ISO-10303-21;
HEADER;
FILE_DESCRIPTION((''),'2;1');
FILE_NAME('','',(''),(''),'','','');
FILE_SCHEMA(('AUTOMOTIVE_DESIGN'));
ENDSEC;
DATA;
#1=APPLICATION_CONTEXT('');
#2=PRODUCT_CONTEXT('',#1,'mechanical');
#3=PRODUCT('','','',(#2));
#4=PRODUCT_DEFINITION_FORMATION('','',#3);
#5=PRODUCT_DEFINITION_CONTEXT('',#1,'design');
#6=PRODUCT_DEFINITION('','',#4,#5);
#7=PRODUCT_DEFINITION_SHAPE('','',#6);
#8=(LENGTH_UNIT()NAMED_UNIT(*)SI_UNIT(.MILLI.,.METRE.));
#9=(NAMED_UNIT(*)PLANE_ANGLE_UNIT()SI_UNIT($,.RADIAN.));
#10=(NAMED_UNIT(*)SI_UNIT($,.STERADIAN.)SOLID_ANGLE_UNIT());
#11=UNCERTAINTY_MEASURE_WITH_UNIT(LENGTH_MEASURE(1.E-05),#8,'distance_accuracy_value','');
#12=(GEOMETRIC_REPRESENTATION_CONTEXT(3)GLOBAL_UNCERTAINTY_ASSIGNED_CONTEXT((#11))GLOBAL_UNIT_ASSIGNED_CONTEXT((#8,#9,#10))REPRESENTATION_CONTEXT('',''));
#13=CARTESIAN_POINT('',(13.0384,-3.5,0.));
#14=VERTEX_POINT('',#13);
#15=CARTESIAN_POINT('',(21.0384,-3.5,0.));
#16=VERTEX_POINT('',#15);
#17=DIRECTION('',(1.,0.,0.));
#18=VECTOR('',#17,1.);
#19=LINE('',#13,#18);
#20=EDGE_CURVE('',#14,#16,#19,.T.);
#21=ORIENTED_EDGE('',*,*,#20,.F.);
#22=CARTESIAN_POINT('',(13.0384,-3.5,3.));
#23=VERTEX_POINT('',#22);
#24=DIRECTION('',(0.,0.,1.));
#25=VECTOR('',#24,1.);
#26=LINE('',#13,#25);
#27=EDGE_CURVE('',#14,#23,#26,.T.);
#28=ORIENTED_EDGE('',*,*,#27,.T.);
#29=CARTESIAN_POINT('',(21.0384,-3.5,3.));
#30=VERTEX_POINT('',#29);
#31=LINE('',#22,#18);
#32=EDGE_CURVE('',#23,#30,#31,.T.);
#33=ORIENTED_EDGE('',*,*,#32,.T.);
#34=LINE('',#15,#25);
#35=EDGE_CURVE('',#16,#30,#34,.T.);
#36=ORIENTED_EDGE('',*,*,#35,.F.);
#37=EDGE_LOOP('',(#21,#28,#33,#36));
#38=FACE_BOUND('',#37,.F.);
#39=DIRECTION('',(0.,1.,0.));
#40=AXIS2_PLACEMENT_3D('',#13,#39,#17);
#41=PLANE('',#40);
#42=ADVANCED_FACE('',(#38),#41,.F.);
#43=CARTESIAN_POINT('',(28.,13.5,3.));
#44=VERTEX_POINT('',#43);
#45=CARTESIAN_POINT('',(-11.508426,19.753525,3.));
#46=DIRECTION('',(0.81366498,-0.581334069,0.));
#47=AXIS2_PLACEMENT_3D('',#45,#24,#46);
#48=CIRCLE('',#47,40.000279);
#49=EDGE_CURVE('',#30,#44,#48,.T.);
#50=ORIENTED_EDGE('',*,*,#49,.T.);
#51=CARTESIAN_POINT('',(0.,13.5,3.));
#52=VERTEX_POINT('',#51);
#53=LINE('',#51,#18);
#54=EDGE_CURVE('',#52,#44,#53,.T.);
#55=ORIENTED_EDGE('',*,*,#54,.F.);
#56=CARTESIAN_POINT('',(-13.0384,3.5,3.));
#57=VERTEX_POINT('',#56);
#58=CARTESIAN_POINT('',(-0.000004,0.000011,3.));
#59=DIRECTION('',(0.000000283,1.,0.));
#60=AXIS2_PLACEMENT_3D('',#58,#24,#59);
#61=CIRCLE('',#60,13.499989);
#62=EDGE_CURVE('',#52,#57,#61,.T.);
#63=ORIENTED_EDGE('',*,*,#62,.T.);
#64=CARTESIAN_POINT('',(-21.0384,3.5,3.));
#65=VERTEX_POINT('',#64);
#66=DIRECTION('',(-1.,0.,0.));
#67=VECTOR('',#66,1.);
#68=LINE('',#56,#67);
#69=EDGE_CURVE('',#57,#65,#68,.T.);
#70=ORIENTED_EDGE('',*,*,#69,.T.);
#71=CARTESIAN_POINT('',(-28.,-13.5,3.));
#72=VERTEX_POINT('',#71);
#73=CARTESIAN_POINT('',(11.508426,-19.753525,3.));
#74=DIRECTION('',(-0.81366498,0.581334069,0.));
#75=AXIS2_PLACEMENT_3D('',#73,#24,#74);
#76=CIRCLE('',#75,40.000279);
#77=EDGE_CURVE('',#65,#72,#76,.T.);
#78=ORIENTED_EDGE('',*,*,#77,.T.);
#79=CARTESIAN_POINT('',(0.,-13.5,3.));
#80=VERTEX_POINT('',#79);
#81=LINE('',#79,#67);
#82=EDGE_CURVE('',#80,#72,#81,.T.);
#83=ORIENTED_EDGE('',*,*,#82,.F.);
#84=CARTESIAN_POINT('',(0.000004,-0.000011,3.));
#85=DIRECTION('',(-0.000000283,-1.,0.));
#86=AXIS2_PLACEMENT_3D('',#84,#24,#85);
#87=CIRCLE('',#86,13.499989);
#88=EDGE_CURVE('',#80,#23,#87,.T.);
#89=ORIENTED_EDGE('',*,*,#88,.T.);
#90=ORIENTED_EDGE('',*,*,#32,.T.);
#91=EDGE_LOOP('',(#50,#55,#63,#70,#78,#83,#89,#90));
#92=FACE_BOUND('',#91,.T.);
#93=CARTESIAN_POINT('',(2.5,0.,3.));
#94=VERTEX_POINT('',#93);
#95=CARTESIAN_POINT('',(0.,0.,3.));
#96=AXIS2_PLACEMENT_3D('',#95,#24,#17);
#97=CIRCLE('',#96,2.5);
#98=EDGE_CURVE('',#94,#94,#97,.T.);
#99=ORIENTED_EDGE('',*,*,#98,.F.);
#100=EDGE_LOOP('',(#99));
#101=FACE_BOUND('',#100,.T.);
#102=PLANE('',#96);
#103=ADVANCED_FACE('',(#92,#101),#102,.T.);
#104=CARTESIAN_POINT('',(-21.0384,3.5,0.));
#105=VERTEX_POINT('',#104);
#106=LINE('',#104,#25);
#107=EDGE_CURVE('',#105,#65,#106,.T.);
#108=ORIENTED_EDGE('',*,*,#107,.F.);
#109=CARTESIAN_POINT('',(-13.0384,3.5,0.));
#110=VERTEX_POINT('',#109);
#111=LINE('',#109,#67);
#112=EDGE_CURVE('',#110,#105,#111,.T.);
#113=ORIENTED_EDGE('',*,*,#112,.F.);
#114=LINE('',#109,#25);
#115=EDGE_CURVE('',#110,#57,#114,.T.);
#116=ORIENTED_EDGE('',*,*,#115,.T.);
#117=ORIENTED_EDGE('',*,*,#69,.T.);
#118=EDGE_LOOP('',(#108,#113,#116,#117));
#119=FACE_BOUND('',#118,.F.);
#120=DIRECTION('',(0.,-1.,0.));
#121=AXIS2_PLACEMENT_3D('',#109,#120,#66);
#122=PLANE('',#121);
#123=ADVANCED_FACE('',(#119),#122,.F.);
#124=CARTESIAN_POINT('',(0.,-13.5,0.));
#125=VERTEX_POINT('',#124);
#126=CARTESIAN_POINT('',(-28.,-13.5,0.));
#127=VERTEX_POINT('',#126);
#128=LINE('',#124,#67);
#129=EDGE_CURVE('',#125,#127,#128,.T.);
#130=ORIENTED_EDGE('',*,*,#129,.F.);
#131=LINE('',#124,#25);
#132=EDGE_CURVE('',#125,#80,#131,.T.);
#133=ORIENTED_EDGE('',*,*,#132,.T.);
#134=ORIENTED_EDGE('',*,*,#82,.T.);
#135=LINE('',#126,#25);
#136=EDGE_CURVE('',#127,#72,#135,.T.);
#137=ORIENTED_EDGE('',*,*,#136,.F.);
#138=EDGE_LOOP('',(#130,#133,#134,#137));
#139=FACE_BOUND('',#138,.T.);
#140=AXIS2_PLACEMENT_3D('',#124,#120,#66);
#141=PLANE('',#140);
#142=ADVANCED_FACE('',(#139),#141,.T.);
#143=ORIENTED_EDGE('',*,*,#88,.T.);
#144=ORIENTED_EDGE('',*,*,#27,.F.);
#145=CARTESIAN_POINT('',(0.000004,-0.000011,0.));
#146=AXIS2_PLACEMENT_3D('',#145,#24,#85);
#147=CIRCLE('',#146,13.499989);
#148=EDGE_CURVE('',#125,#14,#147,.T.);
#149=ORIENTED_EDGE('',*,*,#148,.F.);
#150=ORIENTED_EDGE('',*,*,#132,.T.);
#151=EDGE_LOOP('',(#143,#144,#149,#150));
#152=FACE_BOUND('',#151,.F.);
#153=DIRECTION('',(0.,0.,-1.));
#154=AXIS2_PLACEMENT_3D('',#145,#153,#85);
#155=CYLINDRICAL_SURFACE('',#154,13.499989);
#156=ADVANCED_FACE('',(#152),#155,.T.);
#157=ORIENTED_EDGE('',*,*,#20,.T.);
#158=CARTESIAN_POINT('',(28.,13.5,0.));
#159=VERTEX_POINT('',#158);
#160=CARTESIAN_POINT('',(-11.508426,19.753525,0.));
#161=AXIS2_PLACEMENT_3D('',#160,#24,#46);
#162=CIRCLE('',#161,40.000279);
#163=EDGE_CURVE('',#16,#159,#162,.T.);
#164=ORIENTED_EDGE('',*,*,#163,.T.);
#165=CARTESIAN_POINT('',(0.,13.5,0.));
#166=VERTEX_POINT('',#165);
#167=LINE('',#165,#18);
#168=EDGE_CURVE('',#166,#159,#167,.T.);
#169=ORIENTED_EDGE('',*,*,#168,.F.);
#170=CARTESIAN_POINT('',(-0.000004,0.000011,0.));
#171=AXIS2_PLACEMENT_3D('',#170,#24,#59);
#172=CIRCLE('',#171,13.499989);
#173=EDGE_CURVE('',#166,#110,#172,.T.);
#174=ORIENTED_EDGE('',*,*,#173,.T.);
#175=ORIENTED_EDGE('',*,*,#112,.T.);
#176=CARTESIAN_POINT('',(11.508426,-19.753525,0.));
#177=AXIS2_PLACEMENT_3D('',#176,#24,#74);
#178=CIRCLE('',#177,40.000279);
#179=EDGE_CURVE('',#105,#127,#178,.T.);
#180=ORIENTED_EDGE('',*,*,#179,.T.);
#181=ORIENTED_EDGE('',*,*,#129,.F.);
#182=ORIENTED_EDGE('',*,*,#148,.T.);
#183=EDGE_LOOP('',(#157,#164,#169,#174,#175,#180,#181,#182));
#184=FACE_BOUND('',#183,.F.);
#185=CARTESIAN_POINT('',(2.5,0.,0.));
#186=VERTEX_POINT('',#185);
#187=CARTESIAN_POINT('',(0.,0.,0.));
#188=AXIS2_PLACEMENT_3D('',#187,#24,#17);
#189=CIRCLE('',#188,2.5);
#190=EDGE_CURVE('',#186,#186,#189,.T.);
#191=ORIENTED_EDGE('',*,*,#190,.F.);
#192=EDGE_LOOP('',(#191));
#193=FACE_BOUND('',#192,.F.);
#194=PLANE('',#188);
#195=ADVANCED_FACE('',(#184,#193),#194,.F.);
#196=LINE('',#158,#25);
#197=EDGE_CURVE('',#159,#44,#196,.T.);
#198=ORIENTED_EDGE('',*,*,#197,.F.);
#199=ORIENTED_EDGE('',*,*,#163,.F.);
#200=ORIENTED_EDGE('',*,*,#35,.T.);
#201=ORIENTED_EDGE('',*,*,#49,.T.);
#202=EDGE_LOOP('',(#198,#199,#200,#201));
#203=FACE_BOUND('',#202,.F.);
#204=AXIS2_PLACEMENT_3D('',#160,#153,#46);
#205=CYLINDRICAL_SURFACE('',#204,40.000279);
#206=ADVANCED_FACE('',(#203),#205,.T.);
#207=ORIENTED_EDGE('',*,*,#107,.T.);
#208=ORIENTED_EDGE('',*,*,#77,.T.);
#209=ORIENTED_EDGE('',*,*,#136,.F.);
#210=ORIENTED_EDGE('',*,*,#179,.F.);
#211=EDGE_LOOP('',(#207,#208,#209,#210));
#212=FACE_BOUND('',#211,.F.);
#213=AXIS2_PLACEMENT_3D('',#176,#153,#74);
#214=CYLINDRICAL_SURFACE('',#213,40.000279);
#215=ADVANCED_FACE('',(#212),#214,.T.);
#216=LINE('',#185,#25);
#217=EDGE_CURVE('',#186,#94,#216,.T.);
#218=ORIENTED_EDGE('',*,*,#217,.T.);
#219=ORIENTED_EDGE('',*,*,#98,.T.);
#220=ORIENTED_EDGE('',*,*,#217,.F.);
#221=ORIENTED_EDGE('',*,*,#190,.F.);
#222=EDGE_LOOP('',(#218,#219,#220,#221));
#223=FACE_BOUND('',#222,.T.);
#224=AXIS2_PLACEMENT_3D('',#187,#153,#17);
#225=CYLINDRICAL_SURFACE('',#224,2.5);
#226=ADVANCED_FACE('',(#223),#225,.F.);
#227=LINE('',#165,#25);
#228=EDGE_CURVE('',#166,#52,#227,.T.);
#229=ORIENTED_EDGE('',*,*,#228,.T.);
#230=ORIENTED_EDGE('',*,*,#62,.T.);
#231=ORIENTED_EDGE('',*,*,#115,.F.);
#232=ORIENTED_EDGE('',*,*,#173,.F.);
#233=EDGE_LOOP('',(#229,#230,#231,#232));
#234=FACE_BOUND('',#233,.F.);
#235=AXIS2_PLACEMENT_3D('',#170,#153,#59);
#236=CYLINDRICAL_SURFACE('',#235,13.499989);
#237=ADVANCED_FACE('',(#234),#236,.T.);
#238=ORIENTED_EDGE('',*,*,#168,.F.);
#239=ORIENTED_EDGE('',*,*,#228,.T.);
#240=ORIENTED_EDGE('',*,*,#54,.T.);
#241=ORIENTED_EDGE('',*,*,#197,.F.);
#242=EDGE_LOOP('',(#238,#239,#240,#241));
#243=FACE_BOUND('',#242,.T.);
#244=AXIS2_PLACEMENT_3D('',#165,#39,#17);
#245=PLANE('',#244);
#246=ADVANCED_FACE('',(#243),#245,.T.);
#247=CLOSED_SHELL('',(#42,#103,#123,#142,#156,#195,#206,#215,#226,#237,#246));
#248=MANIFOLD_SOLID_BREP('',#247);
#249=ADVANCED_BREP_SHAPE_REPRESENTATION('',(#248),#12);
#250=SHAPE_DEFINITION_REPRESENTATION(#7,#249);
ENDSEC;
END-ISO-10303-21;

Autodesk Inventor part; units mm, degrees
ref_plane "YZ Plane" through (0, 0, 0) normal (1, 0, 0) x (0, 1, 0)
ref_plane "XZ Plane" through (0, 0, 0) normal (0, 1, 0) x (-1, 0, 0)
ref_plane "XY Plane" through (0, 0, 0) normal (0, 0, 1) x (1, 0, 0)
sketch "Sketch3" plane through (0, 0, 0) normal (0, 0, 1) x (1, 0, 0)
  line L0 (13.0384, -3.5) -> (21.0384, -3.5)
  line L1 (-13.0384, 3.5) -> (-21.0384, 3.5)
  line L2 (0, 13.5) -> (28, 13.5)
  line L3 (0, -13.5) -> (-28, -13.5)
  arc A0 (-21.0384, 3.5) -> (-28, -13.5) centre (11.5082, -19.7534) ccw
  arc A1 (21.0384, -3.5) -> (28, 13.5) centre (-11.5082, 19.7534) ccw
  arc A2 (0, 13.5) -> (-13.0384, 3.5) centre (0, 0) ccw
  arc A3 (0, -13.5) -> (13.0384, -3.5) centre (0, 0) ccw
  circle A4 centre (0, 0) radius 2.5
  dimension "d29" = 8
  dimension "d30" = 8
  dimension "d33" = 28
  dimension "d34" = 28
  dimension "d35" = 40
  dimension "d36" = 40
  dimension "d37" = 5
extrude "Extrusion2" add sketch "Sketch3" along normal blind 3
properties part number "ArmaPrime"
